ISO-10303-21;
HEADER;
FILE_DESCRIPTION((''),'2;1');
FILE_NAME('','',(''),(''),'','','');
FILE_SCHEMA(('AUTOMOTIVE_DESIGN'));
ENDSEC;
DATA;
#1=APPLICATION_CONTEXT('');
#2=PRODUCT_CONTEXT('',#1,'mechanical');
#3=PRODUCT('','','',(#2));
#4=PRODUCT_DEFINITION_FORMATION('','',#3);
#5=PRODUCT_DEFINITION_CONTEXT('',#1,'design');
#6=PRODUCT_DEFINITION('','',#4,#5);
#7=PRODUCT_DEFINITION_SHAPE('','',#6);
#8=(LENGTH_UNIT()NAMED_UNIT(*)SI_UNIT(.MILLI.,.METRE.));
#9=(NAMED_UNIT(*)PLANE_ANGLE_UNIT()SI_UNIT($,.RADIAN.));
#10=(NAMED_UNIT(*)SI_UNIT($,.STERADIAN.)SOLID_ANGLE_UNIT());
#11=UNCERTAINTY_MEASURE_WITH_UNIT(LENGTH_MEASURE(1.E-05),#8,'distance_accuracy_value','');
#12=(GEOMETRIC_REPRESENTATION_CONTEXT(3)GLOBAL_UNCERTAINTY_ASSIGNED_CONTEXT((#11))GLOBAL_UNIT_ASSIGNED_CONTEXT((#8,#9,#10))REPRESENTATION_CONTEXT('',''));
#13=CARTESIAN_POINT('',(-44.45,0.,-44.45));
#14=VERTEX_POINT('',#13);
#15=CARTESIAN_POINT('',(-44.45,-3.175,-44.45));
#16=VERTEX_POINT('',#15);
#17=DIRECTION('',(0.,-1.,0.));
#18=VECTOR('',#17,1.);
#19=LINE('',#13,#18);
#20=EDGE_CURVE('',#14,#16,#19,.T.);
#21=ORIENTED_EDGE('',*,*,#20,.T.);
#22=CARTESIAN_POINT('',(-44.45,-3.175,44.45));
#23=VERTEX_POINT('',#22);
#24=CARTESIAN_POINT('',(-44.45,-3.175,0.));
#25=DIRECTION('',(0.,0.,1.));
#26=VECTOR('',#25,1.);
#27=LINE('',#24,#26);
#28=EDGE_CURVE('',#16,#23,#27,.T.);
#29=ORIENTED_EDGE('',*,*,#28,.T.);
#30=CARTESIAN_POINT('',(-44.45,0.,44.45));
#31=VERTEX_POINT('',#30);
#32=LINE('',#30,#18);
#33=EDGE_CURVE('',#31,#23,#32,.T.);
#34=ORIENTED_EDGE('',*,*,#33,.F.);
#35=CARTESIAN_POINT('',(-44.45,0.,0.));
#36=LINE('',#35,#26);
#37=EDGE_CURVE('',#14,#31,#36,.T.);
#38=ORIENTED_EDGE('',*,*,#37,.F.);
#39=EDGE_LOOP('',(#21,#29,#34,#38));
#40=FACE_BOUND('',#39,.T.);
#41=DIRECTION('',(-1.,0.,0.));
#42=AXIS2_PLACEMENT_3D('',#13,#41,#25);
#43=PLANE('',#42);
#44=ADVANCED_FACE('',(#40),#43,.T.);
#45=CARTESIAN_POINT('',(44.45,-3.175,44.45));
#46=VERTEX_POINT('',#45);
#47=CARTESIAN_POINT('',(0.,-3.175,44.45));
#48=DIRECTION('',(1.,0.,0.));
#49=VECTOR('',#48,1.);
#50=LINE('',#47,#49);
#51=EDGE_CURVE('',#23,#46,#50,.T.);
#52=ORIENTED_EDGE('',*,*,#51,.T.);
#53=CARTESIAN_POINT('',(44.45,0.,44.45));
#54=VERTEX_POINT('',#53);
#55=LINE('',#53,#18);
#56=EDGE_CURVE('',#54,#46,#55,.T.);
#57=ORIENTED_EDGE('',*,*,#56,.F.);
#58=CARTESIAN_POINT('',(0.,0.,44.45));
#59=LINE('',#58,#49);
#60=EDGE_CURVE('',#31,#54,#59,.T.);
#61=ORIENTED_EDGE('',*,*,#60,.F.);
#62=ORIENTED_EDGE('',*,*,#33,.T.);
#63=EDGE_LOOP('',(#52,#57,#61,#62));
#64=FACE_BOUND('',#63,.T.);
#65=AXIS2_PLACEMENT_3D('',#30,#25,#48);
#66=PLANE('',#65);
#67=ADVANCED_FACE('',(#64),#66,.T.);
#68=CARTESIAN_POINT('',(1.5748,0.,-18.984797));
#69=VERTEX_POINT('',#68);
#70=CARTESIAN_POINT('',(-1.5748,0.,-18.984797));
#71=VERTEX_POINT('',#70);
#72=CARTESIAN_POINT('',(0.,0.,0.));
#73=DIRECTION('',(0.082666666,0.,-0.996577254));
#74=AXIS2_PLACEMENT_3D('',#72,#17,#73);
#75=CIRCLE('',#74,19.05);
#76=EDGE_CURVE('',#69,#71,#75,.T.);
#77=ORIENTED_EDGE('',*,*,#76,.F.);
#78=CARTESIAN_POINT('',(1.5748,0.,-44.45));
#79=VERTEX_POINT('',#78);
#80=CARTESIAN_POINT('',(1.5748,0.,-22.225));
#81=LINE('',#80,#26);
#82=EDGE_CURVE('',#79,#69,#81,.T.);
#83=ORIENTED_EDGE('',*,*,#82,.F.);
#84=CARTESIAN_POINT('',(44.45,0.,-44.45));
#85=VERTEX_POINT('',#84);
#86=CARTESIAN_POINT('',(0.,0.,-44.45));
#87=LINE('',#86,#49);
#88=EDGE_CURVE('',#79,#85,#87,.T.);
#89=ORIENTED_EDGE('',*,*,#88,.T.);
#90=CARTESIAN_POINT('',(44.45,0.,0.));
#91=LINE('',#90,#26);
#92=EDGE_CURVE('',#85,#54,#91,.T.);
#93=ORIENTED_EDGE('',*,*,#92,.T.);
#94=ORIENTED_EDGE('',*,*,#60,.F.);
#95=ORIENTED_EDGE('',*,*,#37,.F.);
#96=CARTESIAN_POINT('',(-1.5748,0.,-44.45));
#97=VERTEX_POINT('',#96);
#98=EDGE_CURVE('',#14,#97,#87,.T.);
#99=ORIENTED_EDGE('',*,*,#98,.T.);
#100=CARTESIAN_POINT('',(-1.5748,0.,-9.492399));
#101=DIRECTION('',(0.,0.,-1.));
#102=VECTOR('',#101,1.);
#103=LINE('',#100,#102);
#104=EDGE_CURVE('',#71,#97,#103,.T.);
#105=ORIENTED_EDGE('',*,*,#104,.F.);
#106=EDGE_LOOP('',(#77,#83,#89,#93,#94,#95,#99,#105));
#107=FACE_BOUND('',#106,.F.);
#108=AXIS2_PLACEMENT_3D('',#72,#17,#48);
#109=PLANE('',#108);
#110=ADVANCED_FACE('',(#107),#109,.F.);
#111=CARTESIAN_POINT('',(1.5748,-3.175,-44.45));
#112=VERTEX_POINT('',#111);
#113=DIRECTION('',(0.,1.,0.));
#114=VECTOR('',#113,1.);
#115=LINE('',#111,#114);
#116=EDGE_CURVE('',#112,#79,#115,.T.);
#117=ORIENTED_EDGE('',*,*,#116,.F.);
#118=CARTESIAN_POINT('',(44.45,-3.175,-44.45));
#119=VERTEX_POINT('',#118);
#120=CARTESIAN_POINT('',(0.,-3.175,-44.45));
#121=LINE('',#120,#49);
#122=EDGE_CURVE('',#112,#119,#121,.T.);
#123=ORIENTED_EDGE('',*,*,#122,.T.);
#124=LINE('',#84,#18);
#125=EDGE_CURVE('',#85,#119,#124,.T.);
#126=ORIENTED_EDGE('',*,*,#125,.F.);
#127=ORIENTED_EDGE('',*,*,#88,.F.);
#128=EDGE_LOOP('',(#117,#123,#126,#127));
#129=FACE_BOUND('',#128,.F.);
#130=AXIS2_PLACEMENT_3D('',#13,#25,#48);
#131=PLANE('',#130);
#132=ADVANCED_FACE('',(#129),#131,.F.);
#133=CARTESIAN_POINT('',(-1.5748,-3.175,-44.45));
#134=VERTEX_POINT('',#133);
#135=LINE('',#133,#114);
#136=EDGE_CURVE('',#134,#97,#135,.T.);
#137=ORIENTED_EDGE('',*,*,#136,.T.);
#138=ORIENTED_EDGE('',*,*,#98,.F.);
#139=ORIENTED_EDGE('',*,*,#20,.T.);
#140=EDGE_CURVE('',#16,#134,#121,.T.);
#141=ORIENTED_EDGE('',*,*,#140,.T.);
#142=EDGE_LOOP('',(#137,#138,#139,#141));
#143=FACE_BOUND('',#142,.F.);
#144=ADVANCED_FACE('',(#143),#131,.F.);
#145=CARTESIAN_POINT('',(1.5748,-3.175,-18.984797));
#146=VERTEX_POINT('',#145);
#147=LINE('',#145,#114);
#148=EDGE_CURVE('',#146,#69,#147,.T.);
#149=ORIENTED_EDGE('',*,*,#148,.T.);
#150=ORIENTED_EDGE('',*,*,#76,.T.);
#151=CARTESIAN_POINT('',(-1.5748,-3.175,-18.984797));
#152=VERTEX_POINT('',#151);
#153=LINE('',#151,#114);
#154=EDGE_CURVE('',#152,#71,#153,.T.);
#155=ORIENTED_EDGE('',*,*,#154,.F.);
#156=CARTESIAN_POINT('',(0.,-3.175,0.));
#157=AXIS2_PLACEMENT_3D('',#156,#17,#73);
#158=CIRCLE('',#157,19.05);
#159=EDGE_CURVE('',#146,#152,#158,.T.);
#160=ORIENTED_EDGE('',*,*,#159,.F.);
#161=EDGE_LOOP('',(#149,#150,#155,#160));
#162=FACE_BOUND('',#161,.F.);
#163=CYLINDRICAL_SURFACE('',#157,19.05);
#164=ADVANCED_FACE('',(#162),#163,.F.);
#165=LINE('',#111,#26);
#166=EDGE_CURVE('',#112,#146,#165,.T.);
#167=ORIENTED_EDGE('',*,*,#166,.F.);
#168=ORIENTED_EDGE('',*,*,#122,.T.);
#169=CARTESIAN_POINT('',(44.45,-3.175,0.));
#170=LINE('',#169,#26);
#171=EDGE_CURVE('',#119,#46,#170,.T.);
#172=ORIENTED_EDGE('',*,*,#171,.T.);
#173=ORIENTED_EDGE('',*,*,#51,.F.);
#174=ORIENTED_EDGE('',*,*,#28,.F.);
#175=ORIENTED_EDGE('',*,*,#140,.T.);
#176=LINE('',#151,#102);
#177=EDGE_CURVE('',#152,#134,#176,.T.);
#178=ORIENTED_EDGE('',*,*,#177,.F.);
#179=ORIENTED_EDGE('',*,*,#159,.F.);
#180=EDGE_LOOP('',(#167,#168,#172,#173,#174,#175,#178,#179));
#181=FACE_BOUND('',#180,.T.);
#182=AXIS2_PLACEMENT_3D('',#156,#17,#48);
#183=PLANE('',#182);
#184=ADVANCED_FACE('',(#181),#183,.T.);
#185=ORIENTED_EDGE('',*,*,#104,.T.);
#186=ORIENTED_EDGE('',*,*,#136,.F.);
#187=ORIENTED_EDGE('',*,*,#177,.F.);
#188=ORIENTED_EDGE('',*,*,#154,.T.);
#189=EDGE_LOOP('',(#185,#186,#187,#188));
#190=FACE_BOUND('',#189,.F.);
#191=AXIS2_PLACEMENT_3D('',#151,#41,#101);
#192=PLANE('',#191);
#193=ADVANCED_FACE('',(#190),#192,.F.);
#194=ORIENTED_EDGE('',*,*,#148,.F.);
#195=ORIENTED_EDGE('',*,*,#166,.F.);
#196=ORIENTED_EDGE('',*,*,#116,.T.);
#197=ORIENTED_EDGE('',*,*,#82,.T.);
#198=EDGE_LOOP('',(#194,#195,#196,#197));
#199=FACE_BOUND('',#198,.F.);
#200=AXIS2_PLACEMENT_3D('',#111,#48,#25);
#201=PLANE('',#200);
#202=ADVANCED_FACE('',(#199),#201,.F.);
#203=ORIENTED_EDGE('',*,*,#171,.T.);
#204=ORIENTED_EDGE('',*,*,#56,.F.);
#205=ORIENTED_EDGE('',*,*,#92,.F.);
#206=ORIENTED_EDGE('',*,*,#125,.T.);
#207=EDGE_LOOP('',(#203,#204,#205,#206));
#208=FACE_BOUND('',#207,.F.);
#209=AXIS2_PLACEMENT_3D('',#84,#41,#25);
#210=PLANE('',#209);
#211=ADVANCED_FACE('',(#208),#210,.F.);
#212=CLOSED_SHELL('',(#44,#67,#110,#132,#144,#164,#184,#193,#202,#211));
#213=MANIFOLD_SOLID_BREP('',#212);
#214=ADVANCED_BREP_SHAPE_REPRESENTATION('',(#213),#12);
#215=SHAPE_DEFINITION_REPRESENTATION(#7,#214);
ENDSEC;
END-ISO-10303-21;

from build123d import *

# Parameters (mm, degrees)
F0_W     = 88.9
F0_H     = 88.9
F1_DEPTH = 3.175
F3_DEPTH = 25.4


with BuildPart() as f1:
    # F0 (on Front) → F1 (new body)
    with BuildSketch(Plane.XZ):
        Rectangle(F0_W, F0_H)
    extrude(amount=F1_DEPTH)

    # F2 (on face) → F3 (cut)
    with BuildSketch(Plane.XZ.offset(3.175)):
        with BuildLine():
            ThreePointArc((1.5748, -18.984797), (0, 19.05), (-1.5748, -18.984797))
            Line((-1.5748, -18.984797), (-1.5748, -44.45))
            Line((-1.5748, -44.45), (1.5748, -44.45))
            Line((1.5748, -44.45), (1.5748, -18.984797))
        make_face()
    extrude(amount=-F3_DEPTH, mode=Mode.SUBTRACT)


solid = f1.part
